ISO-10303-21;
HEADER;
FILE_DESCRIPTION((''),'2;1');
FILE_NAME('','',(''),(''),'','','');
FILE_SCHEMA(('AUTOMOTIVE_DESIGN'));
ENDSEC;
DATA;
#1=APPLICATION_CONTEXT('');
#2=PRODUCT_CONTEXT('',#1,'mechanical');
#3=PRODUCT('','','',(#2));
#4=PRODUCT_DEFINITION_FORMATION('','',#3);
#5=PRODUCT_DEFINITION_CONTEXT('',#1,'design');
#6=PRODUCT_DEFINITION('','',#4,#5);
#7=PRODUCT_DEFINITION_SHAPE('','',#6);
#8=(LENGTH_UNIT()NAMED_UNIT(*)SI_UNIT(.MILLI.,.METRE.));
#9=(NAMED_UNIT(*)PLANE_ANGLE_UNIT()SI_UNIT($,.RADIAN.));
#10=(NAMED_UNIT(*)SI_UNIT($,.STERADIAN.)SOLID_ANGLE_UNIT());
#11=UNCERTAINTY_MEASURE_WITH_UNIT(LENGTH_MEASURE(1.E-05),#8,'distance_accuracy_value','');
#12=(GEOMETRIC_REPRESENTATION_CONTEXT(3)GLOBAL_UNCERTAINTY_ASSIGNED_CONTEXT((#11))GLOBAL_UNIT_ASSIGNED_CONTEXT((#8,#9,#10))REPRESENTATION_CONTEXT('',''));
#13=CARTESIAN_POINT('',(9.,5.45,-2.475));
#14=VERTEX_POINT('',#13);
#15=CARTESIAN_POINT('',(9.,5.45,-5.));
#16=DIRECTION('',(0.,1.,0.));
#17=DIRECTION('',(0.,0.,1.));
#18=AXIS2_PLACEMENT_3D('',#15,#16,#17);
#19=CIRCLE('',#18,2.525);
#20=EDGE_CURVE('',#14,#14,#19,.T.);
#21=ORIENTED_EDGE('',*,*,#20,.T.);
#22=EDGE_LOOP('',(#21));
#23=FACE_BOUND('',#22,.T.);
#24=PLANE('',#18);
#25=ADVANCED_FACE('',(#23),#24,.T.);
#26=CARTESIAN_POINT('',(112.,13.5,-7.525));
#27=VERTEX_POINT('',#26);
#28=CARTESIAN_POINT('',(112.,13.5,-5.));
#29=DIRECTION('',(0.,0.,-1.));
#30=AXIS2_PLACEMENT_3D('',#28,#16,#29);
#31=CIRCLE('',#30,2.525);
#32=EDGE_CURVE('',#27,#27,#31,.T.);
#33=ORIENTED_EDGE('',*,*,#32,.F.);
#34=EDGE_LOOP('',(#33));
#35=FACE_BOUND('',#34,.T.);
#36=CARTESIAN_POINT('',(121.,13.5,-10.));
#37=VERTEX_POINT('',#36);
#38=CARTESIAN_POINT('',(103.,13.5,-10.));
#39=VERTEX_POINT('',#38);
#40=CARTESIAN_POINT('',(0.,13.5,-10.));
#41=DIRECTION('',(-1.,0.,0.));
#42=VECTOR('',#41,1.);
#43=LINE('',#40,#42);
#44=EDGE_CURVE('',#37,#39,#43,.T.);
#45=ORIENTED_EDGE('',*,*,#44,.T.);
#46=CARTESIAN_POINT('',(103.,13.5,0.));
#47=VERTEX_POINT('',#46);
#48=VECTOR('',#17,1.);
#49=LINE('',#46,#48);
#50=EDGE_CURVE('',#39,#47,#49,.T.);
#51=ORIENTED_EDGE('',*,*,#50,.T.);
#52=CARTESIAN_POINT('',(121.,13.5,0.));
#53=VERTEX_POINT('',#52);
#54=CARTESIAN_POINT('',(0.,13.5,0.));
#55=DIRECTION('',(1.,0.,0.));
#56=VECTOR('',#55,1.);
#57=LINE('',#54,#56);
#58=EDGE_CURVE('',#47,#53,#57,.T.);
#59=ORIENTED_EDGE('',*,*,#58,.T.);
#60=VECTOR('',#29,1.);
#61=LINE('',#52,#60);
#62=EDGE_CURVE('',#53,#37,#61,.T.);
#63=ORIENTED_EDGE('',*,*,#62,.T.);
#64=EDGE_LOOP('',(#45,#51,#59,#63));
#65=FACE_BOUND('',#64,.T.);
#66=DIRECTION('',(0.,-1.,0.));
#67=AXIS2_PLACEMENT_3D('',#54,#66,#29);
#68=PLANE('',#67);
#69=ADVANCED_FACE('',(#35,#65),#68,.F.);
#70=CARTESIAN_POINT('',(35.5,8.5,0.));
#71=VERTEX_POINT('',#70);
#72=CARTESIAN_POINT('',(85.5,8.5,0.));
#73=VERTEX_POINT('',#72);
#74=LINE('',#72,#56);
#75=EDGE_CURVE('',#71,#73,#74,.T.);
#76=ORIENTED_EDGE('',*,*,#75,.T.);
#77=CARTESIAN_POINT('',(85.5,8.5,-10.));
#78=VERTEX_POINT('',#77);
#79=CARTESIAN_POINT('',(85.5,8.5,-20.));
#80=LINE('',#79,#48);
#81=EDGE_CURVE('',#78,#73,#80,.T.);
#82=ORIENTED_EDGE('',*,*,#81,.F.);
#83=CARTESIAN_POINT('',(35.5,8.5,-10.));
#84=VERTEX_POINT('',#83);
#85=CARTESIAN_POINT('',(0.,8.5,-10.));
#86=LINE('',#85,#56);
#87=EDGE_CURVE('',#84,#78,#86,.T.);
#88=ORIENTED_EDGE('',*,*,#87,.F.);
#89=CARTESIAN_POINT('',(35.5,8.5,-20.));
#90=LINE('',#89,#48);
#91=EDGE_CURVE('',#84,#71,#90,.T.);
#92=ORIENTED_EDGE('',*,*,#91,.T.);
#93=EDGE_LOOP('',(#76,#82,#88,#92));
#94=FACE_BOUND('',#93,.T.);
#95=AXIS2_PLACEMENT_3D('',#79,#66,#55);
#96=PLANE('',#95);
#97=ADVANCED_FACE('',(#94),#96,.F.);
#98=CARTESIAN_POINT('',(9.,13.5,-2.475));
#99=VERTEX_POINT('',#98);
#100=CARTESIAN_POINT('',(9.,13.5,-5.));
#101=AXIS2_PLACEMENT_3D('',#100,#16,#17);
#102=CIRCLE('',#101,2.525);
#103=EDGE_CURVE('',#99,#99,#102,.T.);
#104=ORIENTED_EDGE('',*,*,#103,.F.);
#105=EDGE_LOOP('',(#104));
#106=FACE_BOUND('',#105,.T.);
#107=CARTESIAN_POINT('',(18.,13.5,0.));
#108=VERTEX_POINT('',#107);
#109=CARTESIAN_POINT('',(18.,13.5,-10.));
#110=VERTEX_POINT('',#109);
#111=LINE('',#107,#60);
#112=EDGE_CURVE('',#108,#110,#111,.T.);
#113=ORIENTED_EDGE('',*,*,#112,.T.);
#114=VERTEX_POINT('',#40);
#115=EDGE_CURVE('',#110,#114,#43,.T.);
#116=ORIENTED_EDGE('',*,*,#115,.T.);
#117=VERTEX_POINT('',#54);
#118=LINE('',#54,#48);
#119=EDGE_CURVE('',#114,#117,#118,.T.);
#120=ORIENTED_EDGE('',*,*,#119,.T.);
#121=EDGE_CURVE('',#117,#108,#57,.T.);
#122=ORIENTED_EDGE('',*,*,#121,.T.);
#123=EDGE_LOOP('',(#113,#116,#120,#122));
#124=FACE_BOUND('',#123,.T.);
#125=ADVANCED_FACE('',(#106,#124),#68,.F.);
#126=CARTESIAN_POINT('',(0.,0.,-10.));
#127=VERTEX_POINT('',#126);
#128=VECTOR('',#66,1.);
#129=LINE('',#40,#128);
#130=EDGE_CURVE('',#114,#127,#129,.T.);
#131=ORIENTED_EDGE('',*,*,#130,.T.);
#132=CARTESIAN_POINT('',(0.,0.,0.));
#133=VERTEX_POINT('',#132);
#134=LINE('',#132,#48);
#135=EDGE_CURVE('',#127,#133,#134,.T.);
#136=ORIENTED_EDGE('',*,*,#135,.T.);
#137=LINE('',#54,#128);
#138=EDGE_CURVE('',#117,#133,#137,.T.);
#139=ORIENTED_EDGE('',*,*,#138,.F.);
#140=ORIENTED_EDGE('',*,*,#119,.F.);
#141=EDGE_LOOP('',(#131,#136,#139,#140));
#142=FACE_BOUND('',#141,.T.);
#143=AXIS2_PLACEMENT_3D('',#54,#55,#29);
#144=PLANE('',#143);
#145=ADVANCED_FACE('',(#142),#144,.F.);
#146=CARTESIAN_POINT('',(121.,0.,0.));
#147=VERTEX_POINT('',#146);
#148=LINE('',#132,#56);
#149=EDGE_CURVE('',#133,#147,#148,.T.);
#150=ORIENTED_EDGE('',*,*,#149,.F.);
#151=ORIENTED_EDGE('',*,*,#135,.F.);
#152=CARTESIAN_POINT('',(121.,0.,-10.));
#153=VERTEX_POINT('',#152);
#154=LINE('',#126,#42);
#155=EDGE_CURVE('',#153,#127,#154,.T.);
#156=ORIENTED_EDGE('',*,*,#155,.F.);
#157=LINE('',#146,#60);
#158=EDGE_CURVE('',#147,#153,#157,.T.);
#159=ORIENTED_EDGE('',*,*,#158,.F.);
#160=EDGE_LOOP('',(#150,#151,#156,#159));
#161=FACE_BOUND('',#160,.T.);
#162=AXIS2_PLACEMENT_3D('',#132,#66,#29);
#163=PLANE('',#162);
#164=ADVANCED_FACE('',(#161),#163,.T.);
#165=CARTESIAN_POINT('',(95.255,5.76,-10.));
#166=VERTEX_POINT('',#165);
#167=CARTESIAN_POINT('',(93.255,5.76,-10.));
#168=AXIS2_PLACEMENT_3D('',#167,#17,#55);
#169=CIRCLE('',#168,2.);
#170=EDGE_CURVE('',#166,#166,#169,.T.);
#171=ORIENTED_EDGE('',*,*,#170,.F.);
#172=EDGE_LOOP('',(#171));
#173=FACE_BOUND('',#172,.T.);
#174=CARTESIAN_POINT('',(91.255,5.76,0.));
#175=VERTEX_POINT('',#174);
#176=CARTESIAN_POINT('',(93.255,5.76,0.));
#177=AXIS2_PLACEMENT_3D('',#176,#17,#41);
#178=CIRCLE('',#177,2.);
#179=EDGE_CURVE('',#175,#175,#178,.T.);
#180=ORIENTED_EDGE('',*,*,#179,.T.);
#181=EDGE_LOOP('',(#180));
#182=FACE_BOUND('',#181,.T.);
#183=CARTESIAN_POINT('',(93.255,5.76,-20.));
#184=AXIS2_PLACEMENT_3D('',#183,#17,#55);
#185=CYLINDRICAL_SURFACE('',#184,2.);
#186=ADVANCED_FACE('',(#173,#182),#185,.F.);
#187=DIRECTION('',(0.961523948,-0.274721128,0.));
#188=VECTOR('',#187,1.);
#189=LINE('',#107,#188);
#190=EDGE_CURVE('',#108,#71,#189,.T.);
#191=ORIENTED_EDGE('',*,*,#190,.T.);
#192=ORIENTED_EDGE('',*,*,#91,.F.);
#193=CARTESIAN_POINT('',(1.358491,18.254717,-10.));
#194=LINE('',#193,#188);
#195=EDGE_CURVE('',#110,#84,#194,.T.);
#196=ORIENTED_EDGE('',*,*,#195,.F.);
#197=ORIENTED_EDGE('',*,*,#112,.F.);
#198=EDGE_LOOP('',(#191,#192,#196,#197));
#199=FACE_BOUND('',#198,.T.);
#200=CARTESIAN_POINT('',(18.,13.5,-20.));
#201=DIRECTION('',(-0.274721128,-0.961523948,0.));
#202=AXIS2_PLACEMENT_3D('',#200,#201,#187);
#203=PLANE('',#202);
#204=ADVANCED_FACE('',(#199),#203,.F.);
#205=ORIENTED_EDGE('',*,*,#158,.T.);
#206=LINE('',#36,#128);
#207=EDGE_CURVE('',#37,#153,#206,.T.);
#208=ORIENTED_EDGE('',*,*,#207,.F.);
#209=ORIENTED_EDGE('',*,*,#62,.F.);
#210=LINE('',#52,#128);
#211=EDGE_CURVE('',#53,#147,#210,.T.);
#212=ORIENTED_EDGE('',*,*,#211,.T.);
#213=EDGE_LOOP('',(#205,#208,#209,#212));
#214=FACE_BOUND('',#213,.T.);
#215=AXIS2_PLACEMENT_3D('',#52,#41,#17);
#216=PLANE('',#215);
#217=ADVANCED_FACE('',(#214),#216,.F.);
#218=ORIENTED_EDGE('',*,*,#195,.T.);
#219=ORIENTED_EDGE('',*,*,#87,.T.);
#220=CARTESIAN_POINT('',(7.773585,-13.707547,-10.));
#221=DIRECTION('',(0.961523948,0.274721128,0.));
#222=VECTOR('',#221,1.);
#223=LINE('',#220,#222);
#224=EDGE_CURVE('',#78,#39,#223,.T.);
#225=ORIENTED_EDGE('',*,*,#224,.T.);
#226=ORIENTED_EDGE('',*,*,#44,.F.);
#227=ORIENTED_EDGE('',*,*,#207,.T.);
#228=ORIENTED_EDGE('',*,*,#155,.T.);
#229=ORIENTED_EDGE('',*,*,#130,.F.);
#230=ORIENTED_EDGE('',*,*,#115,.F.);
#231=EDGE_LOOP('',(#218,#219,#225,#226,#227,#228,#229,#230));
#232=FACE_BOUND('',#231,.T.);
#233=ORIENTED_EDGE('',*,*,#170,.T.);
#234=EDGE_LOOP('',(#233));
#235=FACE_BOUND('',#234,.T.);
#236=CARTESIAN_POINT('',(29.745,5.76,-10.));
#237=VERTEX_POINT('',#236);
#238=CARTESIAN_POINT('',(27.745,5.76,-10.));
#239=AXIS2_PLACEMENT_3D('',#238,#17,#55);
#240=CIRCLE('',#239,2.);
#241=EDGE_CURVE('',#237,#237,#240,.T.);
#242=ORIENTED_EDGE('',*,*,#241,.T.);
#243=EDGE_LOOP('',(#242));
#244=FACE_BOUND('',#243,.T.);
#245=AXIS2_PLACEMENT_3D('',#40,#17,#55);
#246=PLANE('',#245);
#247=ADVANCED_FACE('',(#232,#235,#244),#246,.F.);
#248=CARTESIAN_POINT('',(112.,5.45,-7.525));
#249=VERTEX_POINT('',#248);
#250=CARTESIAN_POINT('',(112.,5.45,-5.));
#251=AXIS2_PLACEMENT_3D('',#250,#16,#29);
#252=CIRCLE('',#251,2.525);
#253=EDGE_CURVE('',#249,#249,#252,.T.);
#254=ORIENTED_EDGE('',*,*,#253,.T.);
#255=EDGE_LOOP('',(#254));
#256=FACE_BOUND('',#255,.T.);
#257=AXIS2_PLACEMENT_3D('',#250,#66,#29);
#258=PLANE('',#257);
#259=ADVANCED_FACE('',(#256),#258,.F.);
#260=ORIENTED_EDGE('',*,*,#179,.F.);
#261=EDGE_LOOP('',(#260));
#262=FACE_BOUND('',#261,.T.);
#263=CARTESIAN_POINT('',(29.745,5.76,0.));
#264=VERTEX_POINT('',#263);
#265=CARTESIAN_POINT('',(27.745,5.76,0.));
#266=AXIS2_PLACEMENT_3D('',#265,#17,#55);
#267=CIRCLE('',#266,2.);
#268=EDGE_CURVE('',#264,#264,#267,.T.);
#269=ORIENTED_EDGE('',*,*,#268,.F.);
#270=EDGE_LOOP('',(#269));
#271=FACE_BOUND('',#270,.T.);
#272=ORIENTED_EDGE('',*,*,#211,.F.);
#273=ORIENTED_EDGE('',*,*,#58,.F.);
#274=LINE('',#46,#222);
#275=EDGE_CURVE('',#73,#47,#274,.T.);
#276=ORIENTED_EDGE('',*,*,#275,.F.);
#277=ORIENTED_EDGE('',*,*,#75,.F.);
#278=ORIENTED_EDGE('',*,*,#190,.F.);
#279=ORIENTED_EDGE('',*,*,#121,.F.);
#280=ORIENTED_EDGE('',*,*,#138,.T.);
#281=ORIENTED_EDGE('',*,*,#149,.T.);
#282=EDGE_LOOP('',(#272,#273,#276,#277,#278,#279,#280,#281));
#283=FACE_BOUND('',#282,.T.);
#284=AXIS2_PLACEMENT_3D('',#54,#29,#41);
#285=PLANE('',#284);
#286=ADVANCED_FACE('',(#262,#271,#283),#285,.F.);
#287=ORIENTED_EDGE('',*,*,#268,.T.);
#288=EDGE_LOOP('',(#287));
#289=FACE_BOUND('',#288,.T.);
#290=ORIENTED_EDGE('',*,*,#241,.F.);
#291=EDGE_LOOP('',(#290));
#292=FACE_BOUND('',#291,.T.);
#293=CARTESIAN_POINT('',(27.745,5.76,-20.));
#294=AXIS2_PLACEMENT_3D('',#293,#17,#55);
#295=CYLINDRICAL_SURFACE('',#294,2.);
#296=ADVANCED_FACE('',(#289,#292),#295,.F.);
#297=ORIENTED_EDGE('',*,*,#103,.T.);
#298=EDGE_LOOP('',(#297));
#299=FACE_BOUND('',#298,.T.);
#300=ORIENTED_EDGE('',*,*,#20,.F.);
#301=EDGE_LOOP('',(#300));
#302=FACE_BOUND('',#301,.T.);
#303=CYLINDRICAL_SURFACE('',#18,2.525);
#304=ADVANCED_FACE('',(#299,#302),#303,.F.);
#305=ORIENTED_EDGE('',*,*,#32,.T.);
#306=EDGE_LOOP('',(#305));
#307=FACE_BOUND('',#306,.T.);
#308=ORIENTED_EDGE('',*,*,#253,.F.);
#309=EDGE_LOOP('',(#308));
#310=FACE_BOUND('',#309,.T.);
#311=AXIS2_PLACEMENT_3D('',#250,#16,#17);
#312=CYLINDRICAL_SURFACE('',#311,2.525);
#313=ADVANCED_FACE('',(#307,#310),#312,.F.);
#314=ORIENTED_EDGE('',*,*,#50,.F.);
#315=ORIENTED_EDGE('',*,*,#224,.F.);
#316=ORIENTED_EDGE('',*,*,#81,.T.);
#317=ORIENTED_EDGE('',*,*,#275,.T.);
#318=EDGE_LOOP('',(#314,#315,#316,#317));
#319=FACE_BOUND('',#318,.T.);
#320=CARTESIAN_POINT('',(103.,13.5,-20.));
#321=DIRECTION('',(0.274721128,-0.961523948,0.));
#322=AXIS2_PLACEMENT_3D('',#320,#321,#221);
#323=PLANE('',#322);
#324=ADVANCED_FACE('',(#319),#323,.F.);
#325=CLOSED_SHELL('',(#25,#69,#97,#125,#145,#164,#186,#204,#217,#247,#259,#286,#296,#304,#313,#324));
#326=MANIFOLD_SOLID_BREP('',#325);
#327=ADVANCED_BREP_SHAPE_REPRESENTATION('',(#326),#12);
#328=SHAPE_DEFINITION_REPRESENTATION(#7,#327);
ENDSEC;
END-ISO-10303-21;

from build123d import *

# Parameters (mm, degrees)
CROQUIS1_W              = 121
CROQUIS1_H              = 10
SALIENTE_EXTRUIR1_DEPTH = 13.5
CROQUIS2_R              = 2.525
CORTAR_EXTRUIR1_DEPTH   = 8.05
CORTAR_EXTRUIR2_DEPTH   = 20
CROQUIS4_R              = 2
CORTAR_EXTRUIR3_DEPTH   = 20


with BuildPart() as part:
    # Croquis1 → Saliente-Extruir1 (new body)
    with BuildSketch(Plane(origin=(0, 0, 0), x_dir=(1, 0, 0), z_dir=(0, 1, 0))):
        with Locations((60.5, 5)):
            Rectangle(CROQUIS1_W, CROQUIS1_H)
    extrude(amount=SALIENTE_EXTRUIR1_DEPTH)

    # Croquis2 → Cortar-Extruir1 (cut)
    with BuildSketch(Plane(origin=(0, 13.5, 0), x_dir=(1, 0, 0), z_dir=(0, 1, 0))):
        with Locations((9, 5)):
            Circle(CROQUIS2_R)
        with Locations((112, 5)):
            Circle(CROQUIS2_R)
    extrude(amount=-CORTAR_EXTRUIR1_DEPTH, mode=Mode.SUBTRACT)

    # Croquis3 → Cortar-Extruir2 (cut)
    with BuildSketch(Plane.XY):
        Polygon((103, 13.5), (18, 13.5), (35.5, 8.5), (85.5, 8.5), align=None)
    extrude(amount=-CORTAR_EXTRUIR2_DEPTH, mode=Mode.SUBTRACT)

    # Croquis4 → Cortar-Extruir3 (cut)
    with BuildSketch(Plane.XY):
        with Locations((27.745, 5.76)):
            Circle(CROQUIS4_R)
        with Locations((93.255, 5.76)):
            Circle(CROQUIS4_R)
    extrude(amount=-CORTAR_EXTRUIR3_DEPTH, mode=Mode.SUBTRACT)


solid = part.part
